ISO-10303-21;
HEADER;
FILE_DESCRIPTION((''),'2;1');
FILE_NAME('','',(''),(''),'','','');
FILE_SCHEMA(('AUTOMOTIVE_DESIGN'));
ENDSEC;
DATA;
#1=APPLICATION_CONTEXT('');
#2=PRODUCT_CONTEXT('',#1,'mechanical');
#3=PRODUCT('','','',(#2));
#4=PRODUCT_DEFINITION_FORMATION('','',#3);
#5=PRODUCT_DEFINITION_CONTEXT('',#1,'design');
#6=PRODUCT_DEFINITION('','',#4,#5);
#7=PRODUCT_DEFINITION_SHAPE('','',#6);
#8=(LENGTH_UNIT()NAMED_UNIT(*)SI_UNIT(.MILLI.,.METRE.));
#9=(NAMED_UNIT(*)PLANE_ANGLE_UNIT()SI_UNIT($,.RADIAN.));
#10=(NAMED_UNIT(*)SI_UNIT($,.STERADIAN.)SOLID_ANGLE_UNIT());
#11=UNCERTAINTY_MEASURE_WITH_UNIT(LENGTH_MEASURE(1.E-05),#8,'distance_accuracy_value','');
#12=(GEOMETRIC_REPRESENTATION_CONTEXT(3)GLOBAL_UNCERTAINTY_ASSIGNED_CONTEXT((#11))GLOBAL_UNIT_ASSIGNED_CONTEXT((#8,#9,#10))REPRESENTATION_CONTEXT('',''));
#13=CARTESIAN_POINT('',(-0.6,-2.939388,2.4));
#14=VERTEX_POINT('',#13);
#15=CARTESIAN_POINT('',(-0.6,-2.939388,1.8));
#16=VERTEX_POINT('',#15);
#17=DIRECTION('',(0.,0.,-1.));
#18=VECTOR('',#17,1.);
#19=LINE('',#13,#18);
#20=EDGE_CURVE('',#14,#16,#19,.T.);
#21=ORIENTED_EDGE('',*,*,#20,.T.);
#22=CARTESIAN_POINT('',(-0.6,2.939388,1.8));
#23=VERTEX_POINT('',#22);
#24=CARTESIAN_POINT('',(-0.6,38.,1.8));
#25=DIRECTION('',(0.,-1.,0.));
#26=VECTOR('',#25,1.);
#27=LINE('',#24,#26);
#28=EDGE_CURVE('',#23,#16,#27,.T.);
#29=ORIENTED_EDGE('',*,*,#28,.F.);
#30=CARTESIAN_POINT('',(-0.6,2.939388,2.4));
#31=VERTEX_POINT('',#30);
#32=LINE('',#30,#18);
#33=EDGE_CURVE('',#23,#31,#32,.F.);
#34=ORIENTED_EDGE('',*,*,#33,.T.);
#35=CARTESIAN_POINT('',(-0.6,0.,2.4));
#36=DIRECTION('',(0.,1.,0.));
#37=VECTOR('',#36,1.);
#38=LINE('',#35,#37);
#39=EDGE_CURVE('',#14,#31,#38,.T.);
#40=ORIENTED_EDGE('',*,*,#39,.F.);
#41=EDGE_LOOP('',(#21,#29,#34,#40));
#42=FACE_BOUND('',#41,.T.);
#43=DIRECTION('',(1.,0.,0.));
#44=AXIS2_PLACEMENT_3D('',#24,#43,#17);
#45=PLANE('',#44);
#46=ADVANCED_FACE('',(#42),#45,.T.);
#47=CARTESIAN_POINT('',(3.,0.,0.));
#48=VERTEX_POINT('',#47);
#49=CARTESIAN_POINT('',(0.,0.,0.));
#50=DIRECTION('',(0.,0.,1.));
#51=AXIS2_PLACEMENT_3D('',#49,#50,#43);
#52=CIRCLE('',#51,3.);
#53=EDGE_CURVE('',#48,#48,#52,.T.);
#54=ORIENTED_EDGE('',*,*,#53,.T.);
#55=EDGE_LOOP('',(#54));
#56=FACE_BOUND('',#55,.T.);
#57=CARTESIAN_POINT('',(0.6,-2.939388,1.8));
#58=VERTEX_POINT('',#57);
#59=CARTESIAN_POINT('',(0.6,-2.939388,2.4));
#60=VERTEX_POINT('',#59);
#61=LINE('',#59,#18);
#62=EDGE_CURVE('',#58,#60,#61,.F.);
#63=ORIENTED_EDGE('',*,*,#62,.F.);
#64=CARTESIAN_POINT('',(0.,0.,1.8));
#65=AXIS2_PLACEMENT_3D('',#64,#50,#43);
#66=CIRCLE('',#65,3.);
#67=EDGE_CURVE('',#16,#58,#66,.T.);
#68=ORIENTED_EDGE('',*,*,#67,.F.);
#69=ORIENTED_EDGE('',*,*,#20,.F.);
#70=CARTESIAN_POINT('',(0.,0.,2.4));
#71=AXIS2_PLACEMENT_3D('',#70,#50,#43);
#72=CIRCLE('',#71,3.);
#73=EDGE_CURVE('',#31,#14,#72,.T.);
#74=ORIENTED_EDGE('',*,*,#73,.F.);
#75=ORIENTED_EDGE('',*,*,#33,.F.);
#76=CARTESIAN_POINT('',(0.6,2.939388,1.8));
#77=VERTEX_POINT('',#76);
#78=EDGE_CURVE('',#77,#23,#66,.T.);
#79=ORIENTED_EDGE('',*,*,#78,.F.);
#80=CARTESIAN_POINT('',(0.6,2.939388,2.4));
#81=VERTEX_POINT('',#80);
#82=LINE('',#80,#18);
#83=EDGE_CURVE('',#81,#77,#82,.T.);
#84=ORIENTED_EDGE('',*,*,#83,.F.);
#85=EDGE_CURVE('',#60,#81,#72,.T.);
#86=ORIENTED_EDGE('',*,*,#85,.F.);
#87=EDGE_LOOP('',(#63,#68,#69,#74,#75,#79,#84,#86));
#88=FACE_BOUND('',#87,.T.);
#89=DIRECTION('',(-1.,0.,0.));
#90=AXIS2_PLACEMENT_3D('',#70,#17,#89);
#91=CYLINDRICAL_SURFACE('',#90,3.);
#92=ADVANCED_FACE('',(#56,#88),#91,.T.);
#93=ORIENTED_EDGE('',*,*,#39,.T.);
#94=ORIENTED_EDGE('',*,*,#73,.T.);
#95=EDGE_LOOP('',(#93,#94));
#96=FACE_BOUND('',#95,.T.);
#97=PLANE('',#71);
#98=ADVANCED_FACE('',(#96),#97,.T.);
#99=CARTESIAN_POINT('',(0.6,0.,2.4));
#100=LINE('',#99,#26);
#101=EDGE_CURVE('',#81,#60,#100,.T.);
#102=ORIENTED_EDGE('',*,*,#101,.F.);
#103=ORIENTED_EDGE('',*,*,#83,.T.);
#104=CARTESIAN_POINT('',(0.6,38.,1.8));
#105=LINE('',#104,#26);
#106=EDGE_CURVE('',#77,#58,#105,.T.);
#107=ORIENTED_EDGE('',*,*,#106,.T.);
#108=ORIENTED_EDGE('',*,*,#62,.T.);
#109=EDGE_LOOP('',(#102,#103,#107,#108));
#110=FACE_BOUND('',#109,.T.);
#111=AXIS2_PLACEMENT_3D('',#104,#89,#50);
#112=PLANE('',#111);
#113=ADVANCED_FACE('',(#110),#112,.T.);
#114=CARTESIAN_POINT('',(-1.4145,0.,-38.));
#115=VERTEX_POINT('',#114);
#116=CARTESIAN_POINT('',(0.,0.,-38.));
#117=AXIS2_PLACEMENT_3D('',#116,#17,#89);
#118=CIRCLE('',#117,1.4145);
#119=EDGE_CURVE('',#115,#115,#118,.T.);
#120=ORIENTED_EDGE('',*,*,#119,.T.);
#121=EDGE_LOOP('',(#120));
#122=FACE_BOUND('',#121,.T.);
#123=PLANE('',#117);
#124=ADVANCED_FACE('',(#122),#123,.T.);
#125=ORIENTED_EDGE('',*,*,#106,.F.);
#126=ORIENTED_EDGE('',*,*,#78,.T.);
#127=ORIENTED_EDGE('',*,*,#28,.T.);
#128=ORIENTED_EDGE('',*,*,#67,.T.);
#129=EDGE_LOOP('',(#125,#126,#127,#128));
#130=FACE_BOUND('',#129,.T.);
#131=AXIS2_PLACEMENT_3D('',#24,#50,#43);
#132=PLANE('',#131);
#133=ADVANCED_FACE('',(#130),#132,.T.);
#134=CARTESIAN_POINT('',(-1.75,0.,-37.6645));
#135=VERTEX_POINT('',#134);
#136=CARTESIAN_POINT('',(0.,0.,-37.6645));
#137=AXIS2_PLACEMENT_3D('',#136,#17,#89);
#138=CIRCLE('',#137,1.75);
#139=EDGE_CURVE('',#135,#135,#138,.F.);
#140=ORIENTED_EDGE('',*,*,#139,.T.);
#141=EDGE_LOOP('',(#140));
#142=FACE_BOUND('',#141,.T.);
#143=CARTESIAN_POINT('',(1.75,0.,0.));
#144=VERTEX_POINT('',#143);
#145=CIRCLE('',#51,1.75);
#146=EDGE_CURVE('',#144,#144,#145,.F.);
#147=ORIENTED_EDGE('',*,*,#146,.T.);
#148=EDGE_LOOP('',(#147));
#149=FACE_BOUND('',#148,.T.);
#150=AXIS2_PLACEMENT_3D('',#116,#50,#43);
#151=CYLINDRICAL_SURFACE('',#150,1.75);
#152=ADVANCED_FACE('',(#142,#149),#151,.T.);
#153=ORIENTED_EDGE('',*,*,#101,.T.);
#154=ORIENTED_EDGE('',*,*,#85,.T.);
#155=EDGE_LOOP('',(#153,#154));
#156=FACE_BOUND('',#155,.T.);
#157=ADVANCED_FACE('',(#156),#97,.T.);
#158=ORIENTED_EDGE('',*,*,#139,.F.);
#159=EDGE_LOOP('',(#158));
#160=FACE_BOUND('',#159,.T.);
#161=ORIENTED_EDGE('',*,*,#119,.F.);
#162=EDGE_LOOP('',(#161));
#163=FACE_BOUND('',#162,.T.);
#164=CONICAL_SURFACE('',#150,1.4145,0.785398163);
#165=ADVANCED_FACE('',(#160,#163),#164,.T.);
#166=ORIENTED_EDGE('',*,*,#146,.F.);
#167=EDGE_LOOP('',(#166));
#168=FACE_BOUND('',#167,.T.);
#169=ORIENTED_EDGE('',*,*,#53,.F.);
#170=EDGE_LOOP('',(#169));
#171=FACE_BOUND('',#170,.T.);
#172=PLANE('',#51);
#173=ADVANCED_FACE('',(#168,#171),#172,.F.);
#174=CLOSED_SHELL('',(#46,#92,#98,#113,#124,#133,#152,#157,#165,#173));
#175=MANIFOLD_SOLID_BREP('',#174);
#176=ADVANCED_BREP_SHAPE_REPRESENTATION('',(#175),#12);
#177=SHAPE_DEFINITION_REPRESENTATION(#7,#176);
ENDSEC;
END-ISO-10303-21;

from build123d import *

# Parameters (mm, degrees)
SKETCH_1_R               = 3
EXTRUDE_1_DEPTH          = 2.4
SKETCH_2_R               = 1.75
EXTRUDE_2_DEPTH          = 38
CHAMFER_1_SIZE           = 0.3355
CUT_EXTRUDE_1_DEPTH      = 38
CUT_EXTRUDE_1_DEPTH_BACK = 38
SKETCH_3_W               = 1.2
SKETCH_3_H               = 1.2


with BuildPart() as part:
    # Эскиз1 → Бобышка-Вытянуть1 (new body)
    with BuildSketch(Plane.XY):
        Circle(SKETCH_1_R)
    extrude(amount=EXTRUDE_1_DEPTH)

    # Эскиз2 → Бобышка-Вытянуть2 (add)
    with BuildSketch(Plane(origin=(0, 0, 0), x_dir=(-1, 0, 0), z_dir=(0, 0, -1))):
        Circle(SKETCH_2_R)
    extrude(amount=EXTRUDE_2_DEPTH)

    # Фаска1
    chamfer_1_edges = [part.edges().sort_by_distance(p)[0] for p in [
        (1.75, 0, -38),
    ]]
    chamfer(chamfer_1_edges, length=CHAMFER_1_SIZE)

    # Эскиз3 → Вырез-Вытянуть1 (cut, two sides: drawn at the far end of the back side and taken through both)
    with BuildSketch(Plane(origin=(0, 0, 0), x_dir=(1, 0, 0), z_dir=(0, 1, 0)).offset(-CUT_EXTRUDE_1_DEPTH_BACK)):
        with Locations((0, -2.4)):
            Rectangle(SKETCH_3_W, SKETCH_3_H)
    extrude(amount=CUT_EXTRUDE_1_DEPTH + CUT_EXTRUDE_1_DEPTH_BACK, mode=Mode.SUBTRACT)


solid = part.part
